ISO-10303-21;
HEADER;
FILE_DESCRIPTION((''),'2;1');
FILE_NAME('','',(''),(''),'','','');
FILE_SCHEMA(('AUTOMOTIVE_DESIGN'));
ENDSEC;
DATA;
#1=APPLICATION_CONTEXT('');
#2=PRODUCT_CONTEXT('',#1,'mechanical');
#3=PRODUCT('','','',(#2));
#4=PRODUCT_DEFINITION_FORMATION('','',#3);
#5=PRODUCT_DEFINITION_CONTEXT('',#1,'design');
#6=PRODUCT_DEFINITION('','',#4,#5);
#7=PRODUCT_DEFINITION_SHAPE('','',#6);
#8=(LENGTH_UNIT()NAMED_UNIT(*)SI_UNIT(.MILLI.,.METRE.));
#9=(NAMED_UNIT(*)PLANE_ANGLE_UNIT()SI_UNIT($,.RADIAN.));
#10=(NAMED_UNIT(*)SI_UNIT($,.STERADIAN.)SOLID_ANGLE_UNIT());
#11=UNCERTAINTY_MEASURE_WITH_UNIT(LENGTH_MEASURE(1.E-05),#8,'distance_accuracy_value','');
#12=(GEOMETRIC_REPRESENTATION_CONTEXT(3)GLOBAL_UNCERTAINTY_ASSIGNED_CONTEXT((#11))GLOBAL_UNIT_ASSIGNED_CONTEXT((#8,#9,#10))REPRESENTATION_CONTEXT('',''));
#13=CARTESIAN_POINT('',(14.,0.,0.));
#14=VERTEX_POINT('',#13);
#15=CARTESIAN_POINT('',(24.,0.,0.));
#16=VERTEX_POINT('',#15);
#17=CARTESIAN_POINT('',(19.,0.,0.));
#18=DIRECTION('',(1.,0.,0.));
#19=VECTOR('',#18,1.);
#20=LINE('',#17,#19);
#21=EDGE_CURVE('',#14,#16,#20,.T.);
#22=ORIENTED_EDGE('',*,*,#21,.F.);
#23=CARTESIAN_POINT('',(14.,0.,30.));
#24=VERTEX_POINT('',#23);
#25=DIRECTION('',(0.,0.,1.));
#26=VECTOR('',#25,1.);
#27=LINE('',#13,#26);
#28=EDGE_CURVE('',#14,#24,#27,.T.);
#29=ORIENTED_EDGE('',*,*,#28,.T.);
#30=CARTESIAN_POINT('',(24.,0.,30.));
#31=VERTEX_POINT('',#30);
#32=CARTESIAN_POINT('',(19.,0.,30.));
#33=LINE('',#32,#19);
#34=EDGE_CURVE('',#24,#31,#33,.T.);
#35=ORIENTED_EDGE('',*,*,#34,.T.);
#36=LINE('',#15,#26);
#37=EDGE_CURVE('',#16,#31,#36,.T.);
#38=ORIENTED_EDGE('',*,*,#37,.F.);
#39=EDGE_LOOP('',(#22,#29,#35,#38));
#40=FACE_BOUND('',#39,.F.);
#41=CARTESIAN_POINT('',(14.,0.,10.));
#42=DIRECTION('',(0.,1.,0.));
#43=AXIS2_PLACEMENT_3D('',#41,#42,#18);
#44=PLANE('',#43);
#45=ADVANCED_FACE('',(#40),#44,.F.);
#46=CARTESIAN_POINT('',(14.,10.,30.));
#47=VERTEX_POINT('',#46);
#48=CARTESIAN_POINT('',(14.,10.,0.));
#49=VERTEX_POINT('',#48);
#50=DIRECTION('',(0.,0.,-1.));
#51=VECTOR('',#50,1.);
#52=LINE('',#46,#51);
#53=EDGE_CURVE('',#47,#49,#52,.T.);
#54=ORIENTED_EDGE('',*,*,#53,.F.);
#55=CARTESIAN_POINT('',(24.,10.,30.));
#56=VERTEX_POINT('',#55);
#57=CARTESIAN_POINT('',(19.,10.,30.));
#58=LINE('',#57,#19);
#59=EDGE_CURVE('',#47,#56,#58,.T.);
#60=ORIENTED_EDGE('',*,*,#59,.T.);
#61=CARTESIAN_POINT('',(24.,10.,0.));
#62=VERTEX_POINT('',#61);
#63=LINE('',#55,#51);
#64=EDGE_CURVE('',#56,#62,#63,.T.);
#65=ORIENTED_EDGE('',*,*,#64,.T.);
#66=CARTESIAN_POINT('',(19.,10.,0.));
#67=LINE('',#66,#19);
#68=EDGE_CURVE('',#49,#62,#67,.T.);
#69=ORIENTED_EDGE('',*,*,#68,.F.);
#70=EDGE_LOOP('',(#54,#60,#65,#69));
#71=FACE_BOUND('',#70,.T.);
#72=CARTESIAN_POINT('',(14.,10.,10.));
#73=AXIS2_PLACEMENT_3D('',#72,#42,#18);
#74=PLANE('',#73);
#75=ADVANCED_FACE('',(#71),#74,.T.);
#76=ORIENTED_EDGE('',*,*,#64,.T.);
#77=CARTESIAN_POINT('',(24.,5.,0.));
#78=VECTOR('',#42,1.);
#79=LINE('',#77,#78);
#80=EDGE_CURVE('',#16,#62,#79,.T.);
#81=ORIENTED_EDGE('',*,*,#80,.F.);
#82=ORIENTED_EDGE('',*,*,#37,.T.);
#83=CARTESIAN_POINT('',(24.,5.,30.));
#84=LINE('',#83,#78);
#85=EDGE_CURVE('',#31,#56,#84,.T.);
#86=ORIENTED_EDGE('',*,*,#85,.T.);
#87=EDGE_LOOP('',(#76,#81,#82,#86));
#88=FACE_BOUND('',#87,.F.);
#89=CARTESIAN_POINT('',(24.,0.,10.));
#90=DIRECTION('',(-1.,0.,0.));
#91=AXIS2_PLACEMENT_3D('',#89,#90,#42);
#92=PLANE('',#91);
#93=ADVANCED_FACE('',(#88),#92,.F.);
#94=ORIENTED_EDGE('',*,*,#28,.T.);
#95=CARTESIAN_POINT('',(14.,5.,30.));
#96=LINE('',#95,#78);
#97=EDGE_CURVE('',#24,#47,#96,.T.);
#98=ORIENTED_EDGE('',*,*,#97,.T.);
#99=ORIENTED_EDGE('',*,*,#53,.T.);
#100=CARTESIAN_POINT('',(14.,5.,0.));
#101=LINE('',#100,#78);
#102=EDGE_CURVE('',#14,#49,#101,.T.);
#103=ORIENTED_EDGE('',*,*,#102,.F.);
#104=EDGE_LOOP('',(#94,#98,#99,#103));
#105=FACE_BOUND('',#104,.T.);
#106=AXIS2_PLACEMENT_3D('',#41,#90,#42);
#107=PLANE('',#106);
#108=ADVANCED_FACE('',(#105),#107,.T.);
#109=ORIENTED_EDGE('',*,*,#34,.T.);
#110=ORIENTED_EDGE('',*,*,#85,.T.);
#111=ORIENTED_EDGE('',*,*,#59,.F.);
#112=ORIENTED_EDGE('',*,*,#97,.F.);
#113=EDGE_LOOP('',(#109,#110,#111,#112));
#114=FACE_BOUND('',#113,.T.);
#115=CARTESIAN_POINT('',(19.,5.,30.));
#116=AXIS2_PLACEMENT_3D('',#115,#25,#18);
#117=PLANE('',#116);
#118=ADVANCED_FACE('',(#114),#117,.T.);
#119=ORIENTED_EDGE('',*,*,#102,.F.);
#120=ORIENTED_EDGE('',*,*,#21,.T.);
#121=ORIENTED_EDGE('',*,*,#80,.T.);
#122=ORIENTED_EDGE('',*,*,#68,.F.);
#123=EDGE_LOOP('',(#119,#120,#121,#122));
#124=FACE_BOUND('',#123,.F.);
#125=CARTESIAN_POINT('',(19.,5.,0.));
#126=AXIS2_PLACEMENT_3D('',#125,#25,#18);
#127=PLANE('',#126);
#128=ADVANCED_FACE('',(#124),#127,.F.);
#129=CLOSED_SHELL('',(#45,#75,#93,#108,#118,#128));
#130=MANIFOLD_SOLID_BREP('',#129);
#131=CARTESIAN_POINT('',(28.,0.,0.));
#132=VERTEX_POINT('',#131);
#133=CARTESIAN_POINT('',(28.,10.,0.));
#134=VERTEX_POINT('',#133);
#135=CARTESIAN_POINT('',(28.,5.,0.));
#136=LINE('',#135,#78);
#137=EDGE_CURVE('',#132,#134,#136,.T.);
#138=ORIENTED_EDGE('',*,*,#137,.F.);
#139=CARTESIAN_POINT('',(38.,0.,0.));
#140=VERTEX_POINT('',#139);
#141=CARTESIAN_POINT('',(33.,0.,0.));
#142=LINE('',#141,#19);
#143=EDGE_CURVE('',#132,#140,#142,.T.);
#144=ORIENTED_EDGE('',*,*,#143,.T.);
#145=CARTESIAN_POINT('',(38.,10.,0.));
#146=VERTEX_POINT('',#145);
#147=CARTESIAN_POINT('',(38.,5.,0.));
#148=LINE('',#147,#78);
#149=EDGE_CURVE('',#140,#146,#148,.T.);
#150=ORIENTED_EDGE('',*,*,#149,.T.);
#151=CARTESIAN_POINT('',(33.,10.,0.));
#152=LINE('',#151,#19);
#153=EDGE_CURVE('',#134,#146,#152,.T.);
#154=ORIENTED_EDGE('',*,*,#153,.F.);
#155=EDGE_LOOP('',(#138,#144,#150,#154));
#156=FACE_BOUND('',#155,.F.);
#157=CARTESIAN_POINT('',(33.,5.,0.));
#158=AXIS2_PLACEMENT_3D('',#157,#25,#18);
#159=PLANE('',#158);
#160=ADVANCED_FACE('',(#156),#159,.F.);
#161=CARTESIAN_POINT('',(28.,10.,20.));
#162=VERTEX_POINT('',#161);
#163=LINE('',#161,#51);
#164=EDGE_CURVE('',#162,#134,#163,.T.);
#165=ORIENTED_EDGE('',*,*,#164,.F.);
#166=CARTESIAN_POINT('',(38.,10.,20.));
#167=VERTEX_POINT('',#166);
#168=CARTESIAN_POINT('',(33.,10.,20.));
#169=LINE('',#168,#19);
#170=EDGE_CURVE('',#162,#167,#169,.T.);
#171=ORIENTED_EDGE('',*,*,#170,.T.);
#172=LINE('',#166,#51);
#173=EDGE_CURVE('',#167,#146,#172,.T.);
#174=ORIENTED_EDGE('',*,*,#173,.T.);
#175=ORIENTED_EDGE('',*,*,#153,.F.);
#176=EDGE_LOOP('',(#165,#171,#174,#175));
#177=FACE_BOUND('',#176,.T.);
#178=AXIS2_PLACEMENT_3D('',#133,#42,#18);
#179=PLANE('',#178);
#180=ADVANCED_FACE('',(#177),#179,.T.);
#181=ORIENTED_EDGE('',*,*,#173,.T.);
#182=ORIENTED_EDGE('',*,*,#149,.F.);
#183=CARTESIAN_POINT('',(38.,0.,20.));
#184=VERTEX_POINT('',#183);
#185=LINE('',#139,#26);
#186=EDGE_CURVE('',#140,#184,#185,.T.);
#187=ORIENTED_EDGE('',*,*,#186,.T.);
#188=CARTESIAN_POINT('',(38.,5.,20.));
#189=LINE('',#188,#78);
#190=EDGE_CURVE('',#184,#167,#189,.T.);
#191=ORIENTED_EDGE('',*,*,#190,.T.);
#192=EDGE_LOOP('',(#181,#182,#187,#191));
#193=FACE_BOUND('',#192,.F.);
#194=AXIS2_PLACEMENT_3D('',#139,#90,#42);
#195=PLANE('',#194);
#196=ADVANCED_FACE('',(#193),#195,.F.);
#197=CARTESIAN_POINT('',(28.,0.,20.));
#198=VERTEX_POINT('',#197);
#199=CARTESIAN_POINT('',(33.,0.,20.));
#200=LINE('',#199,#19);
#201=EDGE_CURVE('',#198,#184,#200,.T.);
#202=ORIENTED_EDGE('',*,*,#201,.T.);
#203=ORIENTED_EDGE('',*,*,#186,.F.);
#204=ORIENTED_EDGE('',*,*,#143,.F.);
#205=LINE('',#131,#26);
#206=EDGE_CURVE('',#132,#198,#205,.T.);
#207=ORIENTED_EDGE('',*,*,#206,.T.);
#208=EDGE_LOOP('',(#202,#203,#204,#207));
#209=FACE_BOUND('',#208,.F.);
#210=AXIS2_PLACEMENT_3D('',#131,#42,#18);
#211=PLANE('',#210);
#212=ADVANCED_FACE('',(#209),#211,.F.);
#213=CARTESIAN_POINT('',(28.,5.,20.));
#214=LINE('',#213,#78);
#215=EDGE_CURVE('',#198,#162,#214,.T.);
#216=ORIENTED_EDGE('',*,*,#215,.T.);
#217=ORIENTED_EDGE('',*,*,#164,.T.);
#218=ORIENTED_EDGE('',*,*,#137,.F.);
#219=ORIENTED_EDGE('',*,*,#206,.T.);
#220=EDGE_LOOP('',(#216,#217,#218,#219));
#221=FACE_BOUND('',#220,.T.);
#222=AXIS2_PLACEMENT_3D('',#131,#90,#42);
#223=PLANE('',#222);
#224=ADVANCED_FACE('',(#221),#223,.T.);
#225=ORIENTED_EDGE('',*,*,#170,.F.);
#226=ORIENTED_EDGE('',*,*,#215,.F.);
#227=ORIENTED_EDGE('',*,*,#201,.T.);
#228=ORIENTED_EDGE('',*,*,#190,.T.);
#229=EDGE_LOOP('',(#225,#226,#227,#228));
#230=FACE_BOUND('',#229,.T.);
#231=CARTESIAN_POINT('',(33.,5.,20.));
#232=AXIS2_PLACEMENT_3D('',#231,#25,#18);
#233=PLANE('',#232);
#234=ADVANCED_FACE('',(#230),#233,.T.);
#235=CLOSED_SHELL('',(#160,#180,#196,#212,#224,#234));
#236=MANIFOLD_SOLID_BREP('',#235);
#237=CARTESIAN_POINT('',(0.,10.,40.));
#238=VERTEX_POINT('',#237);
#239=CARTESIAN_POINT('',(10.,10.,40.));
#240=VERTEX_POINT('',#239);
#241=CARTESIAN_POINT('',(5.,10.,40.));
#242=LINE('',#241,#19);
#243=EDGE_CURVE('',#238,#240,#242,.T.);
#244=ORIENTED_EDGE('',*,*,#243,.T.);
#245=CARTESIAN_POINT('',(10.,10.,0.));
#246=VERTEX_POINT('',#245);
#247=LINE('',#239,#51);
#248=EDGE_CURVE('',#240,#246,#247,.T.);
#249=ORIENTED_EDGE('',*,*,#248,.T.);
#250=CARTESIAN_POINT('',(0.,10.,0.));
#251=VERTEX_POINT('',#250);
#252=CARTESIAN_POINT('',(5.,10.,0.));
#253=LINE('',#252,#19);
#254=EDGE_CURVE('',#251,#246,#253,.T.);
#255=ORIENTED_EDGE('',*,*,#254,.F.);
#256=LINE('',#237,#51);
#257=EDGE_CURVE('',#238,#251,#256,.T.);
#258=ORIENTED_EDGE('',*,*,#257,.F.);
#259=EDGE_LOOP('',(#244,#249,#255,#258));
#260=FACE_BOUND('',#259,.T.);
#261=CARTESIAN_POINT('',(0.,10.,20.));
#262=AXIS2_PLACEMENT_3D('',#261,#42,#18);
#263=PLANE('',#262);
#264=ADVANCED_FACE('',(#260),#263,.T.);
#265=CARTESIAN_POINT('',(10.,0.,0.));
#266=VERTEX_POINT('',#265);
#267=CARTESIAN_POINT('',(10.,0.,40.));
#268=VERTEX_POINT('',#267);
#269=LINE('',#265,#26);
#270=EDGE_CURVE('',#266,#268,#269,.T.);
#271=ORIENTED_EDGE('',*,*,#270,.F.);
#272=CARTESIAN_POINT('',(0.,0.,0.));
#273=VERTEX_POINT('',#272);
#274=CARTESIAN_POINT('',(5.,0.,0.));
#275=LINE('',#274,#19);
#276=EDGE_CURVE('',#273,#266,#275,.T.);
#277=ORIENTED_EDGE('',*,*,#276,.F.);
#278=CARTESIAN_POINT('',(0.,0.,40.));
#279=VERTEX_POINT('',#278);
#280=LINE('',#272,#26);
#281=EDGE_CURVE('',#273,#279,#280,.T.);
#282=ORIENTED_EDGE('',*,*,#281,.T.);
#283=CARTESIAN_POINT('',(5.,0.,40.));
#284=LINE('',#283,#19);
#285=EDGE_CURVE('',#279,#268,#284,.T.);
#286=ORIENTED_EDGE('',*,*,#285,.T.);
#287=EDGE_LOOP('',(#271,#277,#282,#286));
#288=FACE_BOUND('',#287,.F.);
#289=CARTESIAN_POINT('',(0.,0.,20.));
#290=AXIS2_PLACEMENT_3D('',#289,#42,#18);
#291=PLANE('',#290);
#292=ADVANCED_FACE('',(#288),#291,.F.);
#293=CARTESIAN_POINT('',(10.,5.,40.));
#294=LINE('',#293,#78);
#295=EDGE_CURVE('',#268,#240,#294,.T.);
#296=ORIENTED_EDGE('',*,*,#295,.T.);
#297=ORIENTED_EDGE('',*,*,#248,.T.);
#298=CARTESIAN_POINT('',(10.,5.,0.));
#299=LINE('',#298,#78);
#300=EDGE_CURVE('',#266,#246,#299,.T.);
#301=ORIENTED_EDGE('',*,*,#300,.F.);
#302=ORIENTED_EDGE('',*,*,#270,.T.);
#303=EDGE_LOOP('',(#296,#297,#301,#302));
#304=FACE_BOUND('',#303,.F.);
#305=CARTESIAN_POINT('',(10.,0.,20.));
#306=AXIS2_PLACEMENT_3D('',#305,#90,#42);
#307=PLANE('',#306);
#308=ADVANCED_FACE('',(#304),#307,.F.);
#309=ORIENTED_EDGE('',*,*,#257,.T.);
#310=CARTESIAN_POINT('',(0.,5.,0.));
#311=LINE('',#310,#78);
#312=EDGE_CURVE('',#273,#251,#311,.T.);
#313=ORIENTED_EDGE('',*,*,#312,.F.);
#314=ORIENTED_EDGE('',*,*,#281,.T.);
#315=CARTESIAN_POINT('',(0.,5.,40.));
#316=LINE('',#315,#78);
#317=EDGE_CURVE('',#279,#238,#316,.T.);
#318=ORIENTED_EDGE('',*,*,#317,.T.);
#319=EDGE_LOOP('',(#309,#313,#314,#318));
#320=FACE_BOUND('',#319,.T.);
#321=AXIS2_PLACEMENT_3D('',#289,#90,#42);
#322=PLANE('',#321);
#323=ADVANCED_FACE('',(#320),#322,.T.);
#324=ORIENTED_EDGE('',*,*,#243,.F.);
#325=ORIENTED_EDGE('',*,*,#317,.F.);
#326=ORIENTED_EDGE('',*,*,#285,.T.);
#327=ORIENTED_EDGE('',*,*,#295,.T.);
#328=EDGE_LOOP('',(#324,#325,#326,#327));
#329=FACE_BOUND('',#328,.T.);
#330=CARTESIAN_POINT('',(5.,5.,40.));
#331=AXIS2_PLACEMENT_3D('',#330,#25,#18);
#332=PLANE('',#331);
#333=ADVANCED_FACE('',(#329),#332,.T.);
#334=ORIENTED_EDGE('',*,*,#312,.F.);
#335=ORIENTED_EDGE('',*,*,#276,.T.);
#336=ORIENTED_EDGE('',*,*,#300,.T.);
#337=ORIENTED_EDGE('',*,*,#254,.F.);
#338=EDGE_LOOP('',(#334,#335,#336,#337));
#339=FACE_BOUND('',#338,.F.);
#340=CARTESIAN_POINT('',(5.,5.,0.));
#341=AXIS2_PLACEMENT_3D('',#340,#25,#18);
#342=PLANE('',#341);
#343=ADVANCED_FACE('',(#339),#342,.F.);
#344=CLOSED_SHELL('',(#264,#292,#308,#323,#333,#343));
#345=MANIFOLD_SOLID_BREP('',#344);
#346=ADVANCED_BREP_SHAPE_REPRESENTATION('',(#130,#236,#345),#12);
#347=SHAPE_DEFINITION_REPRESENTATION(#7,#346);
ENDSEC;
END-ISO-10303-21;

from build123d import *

# Parameters (mm, degrees)
BOX003_W     = 10
BOX003_H     = 10
BOX003_DEPTH = 10
BOX001_W     = 10
BOX001_H     = 10
BOX001_DEPTH = 10
BOX002_W     = 10
BOX002_H     = 10
BOX002_DEPTH = 10
BOX_W        = 10
BOX_H        = 10
BOX_DEPTH    = 10
BOX006_W     = 10
BOX006_H     = 10
BOX006_DEPTH = 10
BOX005_W     = 10
BOX005_H     = 10
BOX005_DEPTH = 10
BOX004_W     = 10
BOX004_H     = 10
BOX004_DEPTH = 10
BOX007_W     = 10
BOX007_H     = 10
BOX007_DEPTH = 10
BOX008_W     = 10
BOX008_H     = 10
BOX008_DEPTH = 10


with BuildPart() as cube003:
    # Box003 → Box003 (new body)
    with BuildSketch(Plane.XY.offset(30)):
        with Locations((5, 5)):
            Rectangle(BOX003_W, BOX003_H)
    extrude(amount=BOX003_DEPTH)


with BuildPart() as cube001:
    # Box001 → Box001 (new body)
    with BuildSketch(Plane.XY.offset(10)):
        with Locations((5, 5)):
            Rectangle(BOX001_W, BOX001_H)
    extrude(amount=BOX001_DEPTH)


with BuildPart() as cube002:
    # Box002 → Box002 (new body)
    with BuildSketch(Plane.XY.offset(20)):
        with Locations((5, 5)):
            Rectangle(BOX002_W, BOX002_H)
    extrude(amount=BOX002_DEPTH)


with BuildPart() as fusion:
    # Box → Box (new body)
    with BuildSketch(Plane.XY):
        with Locations((5, 5)):
            Rectangle(BOX_W, BOX_H)
    extrude(amount=BOX_DEPTH)

    # Fusion: union Cube003, Cube001, Cube002
    add(cube003.part)
    add(cube001.part)
    add(cube002.part)


with BuildPart() as cube006:
    # Box006 → Box006 (new body)
    with BuildSketch(Plane(origin=(14, 0, 20), x_dir=(1, 0, 0), z_dir=(0, 0, 1))):
        with Locations((5, 5)):
            Rectangle(BOX006_W, BOX006_H)
    extrude(amount=BOX006_DEPTH)


with BuildPart() as cube005:
    # Box005 → Box005 (new body)
    with BuildSketch(Plane(origin=(14, 0, 10), x_dir=(1, 0, 0), z_dir=(0, 0, 1))):
        with Locations((5, 5)):
            Rectangle(BOX005_W, BOX005_H)
    extrude(amount=BOX005_DEPTH)


with BuildPart() as fusion001:
    # Box004 → Box004 (new body)
    with BuildSketch(Plane(origin=(14, 0, 0), x_dir=(1, 0, 0), z_dir=(0, 0, 1))):
        with Locations((5, 5)):
            Rectangle(BOX004_W, BOX004_H)
    extrude(amount=BOX004_DEPTH)

    # Fusion001: union Cube006, Cube005
    add(cube006.part)
    add(cube005.part)


with BuildPart() as cube007:
    # Box007 → Box007 (new body)
    with BuildSketch(Plane(origin=(28, 0, 0), x_dir=(1, 0, 0), z_dir=(0, 0, 1))):
        with Locations((5, 5)):
            Rectangle(BOX007_W, BOX007_H)
    extrude(amount=BOX007_DEPTH)


with BuildPart() as fusion002:
    # Box008 → Box008 (new body)
    with BuildSketch(Plane(origin=(28, 0, 10), x_dir=(1, 0, 0), z_dir=(0, 0, 1))):
        with Locations((5, 5)):
            Rectangle(BOX008_W, BOX008_H)
    extrude(amount=BOX008_DEPTH)

    # Fusion002: union Cube007
    add(cube007.part)


solid = Compound([fusion.part, fusion001.part, fusion002.part])
